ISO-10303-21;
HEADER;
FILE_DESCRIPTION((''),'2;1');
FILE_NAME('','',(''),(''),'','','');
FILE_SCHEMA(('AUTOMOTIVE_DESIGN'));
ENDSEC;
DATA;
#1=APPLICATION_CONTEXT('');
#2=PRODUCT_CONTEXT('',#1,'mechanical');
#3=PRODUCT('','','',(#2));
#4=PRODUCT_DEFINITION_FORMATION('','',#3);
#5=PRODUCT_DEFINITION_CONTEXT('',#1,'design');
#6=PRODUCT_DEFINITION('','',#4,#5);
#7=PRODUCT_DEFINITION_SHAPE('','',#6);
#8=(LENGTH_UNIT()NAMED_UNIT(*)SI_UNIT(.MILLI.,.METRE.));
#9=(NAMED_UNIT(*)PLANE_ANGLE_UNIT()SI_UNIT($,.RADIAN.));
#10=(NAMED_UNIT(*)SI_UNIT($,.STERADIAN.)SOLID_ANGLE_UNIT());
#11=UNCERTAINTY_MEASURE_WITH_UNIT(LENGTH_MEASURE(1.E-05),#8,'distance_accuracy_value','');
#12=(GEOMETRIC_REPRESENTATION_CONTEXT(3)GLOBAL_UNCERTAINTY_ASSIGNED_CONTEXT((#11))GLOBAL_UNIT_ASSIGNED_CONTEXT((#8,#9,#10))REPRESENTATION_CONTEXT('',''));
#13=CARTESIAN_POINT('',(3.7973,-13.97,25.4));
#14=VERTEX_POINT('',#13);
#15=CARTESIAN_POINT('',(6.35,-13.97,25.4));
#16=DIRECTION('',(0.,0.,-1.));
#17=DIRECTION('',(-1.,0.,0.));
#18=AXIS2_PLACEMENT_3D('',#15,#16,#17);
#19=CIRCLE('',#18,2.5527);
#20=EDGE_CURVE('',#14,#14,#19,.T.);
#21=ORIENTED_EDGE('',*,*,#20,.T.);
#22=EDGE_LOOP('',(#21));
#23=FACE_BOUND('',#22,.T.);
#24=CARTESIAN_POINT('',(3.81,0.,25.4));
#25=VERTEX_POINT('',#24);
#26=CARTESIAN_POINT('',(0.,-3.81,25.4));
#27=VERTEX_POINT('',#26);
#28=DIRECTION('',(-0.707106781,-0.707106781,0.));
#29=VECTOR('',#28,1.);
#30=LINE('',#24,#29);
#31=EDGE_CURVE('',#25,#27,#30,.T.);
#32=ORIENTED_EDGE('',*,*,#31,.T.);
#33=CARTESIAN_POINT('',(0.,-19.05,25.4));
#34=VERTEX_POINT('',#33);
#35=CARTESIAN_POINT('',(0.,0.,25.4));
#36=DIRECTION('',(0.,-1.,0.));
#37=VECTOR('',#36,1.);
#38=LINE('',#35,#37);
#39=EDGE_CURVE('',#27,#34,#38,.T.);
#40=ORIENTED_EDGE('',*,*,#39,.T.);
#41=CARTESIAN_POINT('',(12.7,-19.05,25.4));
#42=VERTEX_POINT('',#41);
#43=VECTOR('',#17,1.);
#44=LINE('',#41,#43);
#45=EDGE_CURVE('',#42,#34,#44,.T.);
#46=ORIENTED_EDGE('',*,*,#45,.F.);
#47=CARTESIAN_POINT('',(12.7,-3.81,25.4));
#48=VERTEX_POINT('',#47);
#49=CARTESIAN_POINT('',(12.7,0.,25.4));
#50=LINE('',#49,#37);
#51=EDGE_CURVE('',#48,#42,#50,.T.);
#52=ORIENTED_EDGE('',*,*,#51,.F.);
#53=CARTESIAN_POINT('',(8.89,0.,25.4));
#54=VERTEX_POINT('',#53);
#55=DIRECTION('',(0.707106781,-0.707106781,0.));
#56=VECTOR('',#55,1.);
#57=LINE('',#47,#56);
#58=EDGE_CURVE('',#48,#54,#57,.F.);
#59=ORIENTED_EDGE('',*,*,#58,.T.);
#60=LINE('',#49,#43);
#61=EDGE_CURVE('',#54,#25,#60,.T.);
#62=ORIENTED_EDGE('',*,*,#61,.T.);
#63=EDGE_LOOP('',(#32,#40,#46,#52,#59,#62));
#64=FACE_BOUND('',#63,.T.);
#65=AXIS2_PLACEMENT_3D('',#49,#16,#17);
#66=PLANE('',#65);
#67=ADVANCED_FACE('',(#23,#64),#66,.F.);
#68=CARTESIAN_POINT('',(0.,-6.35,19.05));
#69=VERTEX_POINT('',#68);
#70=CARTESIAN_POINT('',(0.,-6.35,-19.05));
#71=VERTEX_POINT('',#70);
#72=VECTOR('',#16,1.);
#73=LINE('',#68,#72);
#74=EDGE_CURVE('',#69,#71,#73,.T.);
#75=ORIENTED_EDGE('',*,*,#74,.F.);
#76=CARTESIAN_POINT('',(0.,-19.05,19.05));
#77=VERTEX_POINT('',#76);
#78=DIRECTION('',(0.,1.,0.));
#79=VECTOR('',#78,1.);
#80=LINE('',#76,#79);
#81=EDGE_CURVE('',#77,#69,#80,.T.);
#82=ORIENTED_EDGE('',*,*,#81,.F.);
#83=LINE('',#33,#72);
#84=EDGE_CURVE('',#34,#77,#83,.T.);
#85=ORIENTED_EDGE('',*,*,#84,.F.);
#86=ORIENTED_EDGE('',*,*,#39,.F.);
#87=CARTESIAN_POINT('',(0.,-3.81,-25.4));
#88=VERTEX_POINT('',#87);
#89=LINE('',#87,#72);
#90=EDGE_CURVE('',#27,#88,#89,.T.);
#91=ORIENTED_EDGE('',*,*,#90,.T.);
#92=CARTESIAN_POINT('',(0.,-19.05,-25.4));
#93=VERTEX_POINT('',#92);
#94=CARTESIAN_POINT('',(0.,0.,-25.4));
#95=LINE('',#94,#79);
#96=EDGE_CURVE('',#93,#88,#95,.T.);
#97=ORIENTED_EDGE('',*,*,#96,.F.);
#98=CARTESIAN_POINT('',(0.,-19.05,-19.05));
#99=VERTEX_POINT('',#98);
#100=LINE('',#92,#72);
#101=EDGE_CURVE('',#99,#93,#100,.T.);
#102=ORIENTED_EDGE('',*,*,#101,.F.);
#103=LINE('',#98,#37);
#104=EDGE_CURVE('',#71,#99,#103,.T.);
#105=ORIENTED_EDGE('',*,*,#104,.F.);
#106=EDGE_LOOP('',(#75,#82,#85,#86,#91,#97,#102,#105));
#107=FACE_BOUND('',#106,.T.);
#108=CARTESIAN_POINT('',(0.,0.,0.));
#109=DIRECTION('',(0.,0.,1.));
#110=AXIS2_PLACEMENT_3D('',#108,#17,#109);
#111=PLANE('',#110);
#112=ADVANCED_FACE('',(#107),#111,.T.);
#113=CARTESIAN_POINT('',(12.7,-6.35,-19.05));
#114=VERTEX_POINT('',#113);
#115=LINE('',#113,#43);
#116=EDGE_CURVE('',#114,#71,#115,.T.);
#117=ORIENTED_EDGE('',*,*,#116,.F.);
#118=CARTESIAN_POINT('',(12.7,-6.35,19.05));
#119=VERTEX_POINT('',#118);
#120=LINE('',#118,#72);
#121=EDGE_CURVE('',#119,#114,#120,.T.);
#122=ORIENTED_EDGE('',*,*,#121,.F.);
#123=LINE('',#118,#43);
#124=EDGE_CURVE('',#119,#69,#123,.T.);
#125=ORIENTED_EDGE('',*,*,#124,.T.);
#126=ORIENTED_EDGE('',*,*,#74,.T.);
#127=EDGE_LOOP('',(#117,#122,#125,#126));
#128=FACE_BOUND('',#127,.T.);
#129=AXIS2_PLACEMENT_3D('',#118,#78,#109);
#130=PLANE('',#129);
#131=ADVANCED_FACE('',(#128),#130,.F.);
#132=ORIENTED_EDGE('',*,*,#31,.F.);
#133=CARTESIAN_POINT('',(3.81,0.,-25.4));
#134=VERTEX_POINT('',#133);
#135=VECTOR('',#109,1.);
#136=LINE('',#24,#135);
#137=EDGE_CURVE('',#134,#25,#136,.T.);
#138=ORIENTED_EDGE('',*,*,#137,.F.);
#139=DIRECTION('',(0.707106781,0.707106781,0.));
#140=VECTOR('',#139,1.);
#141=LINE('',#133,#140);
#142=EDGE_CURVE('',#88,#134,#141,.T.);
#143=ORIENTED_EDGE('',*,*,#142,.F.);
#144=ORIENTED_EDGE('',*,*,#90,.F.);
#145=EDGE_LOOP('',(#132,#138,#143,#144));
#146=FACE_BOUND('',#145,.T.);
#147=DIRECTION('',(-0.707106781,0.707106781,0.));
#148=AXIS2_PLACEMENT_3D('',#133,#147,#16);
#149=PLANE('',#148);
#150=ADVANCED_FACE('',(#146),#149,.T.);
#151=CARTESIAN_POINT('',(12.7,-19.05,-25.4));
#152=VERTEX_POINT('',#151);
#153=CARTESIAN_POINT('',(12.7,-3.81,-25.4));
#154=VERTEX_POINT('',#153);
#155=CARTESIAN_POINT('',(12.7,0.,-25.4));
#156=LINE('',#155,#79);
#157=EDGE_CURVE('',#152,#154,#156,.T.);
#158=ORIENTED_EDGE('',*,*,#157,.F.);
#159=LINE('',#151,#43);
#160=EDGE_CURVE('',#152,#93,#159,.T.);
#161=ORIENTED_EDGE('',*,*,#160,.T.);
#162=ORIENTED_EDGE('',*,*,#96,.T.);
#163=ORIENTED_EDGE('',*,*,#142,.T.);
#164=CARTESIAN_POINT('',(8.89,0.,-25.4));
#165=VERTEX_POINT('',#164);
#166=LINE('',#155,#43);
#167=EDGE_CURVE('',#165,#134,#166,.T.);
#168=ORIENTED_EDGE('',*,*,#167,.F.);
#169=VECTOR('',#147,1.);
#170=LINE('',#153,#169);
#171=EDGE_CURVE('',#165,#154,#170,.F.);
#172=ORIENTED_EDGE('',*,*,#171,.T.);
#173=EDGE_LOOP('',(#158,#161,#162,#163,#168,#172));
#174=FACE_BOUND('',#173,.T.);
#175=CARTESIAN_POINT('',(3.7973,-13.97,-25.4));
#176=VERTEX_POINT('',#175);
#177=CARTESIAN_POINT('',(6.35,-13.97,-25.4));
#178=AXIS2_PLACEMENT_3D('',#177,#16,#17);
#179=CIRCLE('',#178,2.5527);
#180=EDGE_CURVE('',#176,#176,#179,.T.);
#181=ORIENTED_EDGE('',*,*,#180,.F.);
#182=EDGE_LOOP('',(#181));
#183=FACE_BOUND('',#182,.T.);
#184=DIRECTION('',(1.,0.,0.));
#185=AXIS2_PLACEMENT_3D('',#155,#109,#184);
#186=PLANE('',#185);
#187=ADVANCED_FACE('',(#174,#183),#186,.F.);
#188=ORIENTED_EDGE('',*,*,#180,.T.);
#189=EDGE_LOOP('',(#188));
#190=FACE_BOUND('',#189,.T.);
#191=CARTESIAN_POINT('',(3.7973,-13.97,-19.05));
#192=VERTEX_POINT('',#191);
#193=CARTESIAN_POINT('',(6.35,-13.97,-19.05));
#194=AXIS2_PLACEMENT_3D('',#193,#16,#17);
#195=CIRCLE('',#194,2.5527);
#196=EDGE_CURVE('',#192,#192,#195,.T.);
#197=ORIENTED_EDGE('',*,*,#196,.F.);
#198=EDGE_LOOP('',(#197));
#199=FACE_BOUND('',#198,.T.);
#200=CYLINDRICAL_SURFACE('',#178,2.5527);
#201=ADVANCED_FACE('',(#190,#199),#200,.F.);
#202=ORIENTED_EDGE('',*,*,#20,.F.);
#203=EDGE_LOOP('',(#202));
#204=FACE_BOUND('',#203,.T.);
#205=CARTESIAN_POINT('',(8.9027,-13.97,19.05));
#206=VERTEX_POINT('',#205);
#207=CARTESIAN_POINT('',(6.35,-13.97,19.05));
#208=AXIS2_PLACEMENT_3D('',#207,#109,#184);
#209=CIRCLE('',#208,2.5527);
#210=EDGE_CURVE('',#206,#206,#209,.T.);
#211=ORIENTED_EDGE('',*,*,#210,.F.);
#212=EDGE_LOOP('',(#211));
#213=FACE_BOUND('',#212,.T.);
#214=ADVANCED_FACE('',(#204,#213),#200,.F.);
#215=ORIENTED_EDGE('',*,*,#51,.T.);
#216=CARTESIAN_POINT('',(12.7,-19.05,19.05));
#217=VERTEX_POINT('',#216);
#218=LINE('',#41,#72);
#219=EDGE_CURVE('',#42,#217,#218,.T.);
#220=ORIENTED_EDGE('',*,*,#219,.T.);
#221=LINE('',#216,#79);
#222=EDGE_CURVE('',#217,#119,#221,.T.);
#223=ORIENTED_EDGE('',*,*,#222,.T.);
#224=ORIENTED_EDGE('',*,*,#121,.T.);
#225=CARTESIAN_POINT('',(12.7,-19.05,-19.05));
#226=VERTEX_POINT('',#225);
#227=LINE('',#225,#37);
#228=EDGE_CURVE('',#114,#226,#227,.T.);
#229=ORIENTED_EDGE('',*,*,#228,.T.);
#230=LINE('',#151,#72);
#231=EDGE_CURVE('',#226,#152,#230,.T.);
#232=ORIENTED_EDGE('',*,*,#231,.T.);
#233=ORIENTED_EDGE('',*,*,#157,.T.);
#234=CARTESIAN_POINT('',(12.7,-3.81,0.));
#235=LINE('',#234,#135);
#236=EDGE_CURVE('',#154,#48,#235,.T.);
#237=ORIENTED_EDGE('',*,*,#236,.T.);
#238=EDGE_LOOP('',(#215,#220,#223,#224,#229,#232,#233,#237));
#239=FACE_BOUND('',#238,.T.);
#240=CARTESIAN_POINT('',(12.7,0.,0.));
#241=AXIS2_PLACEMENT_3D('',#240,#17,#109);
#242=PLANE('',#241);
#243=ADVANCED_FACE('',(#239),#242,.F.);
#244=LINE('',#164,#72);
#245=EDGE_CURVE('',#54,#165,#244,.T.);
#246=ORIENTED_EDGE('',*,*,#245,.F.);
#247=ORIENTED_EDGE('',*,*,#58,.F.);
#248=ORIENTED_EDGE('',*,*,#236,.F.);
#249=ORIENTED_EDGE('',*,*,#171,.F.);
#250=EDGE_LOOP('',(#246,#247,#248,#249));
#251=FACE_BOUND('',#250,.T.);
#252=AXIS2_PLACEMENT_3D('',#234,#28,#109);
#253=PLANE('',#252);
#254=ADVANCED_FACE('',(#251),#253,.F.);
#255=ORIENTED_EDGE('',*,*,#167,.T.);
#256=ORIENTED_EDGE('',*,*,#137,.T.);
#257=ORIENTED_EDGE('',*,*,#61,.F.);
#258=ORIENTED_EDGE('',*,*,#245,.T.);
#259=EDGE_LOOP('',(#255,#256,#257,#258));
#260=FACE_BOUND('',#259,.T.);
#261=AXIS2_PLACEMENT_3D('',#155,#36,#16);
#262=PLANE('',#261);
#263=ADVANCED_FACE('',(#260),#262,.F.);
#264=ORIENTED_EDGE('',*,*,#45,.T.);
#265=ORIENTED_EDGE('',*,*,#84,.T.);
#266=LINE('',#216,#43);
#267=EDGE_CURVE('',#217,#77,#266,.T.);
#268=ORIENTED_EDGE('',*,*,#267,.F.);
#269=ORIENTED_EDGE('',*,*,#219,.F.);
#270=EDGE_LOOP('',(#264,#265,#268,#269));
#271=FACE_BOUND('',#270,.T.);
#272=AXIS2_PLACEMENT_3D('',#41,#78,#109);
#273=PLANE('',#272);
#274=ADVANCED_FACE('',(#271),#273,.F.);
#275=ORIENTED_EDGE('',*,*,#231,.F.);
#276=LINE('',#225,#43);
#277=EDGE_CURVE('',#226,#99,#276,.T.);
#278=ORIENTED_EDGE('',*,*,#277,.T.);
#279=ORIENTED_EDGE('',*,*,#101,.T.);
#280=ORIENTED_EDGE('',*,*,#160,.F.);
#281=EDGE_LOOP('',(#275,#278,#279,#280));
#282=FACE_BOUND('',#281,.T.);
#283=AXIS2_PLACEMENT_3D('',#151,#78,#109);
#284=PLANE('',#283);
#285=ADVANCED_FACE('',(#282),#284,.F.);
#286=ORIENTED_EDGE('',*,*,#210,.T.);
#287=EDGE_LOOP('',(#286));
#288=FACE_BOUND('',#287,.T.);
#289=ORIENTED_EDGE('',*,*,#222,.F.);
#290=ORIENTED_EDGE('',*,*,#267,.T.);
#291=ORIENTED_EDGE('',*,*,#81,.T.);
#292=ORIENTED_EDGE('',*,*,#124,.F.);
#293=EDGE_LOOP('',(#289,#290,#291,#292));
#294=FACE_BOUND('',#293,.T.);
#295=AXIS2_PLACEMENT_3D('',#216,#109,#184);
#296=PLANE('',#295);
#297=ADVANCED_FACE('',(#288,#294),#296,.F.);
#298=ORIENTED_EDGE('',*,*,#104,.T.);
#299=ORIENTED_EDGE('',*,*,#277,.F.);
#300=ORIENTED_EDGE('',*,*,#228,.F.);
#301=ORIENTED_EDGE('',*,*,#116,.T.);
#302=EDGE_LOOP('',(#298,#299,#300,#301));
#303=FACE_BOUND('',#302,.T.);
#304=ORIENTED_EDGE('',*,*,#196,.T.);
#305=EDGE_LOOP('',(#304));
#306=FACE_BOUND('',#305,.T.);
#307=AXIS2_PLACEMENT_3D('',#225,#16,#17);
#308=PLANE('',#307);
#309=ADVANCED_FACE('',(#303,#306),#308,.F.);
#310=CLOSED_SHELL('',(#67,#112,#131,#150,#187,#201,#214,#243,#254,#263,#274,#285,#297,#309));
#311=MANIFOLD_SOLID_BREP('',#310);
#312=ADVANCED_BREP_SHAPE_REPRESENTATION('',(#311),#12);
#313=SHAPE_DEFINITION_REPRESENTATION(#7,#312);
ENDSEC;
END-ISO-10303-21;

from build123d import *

# Parameters (mm, degrees)
BOSS_EXTRUDE1_DEPTH         = 12.7
TAP_DRILL_FOR_1_4_20_TAP1_D = 5.1054
CHAMFER1_SIZE               = 3.81


with BuildPart() as part:
    # Sketch1 → Boss-Extrude1 (new body)
    with BuildSketch(Plane(origin=(0, 0, 0), x_dir=(0, 0, -1), z_dir=(1, 0, 0))):
        Polygon((25.4, 0), (-25.4, 0), (-25.4, -19.05), (-19.05, -19.05), (-19.05, -6.35), (19.05, -6.35), (19.05, -19.05), (25.4, -19.05), align=None)
    extrude(amount=BOSS_EXTRUDE1_DEPTH)

    # Tap Drill for 1/4-20 Tap1 (through all)
    with Locations(Plane(origin=(6.35, -13.97, -25.4), x_dir=(-1, 0, 0), z_dir=(0, 0, -1))):
        with Locations((0, 0)):
            Hole(TAP_DRILL_FOR_1_4_20_TAP1_D / 2)

    # Chamfer1
    chamfer1_edges = [part.edges().sort_by_distance(p)[0] for p in [
        (12.7, 0, 0),
        (0, 0, 0),
    ]]
    chamfer(chamfer1_edges, length=CHAMFER1_SIZE)


solid = part.part
